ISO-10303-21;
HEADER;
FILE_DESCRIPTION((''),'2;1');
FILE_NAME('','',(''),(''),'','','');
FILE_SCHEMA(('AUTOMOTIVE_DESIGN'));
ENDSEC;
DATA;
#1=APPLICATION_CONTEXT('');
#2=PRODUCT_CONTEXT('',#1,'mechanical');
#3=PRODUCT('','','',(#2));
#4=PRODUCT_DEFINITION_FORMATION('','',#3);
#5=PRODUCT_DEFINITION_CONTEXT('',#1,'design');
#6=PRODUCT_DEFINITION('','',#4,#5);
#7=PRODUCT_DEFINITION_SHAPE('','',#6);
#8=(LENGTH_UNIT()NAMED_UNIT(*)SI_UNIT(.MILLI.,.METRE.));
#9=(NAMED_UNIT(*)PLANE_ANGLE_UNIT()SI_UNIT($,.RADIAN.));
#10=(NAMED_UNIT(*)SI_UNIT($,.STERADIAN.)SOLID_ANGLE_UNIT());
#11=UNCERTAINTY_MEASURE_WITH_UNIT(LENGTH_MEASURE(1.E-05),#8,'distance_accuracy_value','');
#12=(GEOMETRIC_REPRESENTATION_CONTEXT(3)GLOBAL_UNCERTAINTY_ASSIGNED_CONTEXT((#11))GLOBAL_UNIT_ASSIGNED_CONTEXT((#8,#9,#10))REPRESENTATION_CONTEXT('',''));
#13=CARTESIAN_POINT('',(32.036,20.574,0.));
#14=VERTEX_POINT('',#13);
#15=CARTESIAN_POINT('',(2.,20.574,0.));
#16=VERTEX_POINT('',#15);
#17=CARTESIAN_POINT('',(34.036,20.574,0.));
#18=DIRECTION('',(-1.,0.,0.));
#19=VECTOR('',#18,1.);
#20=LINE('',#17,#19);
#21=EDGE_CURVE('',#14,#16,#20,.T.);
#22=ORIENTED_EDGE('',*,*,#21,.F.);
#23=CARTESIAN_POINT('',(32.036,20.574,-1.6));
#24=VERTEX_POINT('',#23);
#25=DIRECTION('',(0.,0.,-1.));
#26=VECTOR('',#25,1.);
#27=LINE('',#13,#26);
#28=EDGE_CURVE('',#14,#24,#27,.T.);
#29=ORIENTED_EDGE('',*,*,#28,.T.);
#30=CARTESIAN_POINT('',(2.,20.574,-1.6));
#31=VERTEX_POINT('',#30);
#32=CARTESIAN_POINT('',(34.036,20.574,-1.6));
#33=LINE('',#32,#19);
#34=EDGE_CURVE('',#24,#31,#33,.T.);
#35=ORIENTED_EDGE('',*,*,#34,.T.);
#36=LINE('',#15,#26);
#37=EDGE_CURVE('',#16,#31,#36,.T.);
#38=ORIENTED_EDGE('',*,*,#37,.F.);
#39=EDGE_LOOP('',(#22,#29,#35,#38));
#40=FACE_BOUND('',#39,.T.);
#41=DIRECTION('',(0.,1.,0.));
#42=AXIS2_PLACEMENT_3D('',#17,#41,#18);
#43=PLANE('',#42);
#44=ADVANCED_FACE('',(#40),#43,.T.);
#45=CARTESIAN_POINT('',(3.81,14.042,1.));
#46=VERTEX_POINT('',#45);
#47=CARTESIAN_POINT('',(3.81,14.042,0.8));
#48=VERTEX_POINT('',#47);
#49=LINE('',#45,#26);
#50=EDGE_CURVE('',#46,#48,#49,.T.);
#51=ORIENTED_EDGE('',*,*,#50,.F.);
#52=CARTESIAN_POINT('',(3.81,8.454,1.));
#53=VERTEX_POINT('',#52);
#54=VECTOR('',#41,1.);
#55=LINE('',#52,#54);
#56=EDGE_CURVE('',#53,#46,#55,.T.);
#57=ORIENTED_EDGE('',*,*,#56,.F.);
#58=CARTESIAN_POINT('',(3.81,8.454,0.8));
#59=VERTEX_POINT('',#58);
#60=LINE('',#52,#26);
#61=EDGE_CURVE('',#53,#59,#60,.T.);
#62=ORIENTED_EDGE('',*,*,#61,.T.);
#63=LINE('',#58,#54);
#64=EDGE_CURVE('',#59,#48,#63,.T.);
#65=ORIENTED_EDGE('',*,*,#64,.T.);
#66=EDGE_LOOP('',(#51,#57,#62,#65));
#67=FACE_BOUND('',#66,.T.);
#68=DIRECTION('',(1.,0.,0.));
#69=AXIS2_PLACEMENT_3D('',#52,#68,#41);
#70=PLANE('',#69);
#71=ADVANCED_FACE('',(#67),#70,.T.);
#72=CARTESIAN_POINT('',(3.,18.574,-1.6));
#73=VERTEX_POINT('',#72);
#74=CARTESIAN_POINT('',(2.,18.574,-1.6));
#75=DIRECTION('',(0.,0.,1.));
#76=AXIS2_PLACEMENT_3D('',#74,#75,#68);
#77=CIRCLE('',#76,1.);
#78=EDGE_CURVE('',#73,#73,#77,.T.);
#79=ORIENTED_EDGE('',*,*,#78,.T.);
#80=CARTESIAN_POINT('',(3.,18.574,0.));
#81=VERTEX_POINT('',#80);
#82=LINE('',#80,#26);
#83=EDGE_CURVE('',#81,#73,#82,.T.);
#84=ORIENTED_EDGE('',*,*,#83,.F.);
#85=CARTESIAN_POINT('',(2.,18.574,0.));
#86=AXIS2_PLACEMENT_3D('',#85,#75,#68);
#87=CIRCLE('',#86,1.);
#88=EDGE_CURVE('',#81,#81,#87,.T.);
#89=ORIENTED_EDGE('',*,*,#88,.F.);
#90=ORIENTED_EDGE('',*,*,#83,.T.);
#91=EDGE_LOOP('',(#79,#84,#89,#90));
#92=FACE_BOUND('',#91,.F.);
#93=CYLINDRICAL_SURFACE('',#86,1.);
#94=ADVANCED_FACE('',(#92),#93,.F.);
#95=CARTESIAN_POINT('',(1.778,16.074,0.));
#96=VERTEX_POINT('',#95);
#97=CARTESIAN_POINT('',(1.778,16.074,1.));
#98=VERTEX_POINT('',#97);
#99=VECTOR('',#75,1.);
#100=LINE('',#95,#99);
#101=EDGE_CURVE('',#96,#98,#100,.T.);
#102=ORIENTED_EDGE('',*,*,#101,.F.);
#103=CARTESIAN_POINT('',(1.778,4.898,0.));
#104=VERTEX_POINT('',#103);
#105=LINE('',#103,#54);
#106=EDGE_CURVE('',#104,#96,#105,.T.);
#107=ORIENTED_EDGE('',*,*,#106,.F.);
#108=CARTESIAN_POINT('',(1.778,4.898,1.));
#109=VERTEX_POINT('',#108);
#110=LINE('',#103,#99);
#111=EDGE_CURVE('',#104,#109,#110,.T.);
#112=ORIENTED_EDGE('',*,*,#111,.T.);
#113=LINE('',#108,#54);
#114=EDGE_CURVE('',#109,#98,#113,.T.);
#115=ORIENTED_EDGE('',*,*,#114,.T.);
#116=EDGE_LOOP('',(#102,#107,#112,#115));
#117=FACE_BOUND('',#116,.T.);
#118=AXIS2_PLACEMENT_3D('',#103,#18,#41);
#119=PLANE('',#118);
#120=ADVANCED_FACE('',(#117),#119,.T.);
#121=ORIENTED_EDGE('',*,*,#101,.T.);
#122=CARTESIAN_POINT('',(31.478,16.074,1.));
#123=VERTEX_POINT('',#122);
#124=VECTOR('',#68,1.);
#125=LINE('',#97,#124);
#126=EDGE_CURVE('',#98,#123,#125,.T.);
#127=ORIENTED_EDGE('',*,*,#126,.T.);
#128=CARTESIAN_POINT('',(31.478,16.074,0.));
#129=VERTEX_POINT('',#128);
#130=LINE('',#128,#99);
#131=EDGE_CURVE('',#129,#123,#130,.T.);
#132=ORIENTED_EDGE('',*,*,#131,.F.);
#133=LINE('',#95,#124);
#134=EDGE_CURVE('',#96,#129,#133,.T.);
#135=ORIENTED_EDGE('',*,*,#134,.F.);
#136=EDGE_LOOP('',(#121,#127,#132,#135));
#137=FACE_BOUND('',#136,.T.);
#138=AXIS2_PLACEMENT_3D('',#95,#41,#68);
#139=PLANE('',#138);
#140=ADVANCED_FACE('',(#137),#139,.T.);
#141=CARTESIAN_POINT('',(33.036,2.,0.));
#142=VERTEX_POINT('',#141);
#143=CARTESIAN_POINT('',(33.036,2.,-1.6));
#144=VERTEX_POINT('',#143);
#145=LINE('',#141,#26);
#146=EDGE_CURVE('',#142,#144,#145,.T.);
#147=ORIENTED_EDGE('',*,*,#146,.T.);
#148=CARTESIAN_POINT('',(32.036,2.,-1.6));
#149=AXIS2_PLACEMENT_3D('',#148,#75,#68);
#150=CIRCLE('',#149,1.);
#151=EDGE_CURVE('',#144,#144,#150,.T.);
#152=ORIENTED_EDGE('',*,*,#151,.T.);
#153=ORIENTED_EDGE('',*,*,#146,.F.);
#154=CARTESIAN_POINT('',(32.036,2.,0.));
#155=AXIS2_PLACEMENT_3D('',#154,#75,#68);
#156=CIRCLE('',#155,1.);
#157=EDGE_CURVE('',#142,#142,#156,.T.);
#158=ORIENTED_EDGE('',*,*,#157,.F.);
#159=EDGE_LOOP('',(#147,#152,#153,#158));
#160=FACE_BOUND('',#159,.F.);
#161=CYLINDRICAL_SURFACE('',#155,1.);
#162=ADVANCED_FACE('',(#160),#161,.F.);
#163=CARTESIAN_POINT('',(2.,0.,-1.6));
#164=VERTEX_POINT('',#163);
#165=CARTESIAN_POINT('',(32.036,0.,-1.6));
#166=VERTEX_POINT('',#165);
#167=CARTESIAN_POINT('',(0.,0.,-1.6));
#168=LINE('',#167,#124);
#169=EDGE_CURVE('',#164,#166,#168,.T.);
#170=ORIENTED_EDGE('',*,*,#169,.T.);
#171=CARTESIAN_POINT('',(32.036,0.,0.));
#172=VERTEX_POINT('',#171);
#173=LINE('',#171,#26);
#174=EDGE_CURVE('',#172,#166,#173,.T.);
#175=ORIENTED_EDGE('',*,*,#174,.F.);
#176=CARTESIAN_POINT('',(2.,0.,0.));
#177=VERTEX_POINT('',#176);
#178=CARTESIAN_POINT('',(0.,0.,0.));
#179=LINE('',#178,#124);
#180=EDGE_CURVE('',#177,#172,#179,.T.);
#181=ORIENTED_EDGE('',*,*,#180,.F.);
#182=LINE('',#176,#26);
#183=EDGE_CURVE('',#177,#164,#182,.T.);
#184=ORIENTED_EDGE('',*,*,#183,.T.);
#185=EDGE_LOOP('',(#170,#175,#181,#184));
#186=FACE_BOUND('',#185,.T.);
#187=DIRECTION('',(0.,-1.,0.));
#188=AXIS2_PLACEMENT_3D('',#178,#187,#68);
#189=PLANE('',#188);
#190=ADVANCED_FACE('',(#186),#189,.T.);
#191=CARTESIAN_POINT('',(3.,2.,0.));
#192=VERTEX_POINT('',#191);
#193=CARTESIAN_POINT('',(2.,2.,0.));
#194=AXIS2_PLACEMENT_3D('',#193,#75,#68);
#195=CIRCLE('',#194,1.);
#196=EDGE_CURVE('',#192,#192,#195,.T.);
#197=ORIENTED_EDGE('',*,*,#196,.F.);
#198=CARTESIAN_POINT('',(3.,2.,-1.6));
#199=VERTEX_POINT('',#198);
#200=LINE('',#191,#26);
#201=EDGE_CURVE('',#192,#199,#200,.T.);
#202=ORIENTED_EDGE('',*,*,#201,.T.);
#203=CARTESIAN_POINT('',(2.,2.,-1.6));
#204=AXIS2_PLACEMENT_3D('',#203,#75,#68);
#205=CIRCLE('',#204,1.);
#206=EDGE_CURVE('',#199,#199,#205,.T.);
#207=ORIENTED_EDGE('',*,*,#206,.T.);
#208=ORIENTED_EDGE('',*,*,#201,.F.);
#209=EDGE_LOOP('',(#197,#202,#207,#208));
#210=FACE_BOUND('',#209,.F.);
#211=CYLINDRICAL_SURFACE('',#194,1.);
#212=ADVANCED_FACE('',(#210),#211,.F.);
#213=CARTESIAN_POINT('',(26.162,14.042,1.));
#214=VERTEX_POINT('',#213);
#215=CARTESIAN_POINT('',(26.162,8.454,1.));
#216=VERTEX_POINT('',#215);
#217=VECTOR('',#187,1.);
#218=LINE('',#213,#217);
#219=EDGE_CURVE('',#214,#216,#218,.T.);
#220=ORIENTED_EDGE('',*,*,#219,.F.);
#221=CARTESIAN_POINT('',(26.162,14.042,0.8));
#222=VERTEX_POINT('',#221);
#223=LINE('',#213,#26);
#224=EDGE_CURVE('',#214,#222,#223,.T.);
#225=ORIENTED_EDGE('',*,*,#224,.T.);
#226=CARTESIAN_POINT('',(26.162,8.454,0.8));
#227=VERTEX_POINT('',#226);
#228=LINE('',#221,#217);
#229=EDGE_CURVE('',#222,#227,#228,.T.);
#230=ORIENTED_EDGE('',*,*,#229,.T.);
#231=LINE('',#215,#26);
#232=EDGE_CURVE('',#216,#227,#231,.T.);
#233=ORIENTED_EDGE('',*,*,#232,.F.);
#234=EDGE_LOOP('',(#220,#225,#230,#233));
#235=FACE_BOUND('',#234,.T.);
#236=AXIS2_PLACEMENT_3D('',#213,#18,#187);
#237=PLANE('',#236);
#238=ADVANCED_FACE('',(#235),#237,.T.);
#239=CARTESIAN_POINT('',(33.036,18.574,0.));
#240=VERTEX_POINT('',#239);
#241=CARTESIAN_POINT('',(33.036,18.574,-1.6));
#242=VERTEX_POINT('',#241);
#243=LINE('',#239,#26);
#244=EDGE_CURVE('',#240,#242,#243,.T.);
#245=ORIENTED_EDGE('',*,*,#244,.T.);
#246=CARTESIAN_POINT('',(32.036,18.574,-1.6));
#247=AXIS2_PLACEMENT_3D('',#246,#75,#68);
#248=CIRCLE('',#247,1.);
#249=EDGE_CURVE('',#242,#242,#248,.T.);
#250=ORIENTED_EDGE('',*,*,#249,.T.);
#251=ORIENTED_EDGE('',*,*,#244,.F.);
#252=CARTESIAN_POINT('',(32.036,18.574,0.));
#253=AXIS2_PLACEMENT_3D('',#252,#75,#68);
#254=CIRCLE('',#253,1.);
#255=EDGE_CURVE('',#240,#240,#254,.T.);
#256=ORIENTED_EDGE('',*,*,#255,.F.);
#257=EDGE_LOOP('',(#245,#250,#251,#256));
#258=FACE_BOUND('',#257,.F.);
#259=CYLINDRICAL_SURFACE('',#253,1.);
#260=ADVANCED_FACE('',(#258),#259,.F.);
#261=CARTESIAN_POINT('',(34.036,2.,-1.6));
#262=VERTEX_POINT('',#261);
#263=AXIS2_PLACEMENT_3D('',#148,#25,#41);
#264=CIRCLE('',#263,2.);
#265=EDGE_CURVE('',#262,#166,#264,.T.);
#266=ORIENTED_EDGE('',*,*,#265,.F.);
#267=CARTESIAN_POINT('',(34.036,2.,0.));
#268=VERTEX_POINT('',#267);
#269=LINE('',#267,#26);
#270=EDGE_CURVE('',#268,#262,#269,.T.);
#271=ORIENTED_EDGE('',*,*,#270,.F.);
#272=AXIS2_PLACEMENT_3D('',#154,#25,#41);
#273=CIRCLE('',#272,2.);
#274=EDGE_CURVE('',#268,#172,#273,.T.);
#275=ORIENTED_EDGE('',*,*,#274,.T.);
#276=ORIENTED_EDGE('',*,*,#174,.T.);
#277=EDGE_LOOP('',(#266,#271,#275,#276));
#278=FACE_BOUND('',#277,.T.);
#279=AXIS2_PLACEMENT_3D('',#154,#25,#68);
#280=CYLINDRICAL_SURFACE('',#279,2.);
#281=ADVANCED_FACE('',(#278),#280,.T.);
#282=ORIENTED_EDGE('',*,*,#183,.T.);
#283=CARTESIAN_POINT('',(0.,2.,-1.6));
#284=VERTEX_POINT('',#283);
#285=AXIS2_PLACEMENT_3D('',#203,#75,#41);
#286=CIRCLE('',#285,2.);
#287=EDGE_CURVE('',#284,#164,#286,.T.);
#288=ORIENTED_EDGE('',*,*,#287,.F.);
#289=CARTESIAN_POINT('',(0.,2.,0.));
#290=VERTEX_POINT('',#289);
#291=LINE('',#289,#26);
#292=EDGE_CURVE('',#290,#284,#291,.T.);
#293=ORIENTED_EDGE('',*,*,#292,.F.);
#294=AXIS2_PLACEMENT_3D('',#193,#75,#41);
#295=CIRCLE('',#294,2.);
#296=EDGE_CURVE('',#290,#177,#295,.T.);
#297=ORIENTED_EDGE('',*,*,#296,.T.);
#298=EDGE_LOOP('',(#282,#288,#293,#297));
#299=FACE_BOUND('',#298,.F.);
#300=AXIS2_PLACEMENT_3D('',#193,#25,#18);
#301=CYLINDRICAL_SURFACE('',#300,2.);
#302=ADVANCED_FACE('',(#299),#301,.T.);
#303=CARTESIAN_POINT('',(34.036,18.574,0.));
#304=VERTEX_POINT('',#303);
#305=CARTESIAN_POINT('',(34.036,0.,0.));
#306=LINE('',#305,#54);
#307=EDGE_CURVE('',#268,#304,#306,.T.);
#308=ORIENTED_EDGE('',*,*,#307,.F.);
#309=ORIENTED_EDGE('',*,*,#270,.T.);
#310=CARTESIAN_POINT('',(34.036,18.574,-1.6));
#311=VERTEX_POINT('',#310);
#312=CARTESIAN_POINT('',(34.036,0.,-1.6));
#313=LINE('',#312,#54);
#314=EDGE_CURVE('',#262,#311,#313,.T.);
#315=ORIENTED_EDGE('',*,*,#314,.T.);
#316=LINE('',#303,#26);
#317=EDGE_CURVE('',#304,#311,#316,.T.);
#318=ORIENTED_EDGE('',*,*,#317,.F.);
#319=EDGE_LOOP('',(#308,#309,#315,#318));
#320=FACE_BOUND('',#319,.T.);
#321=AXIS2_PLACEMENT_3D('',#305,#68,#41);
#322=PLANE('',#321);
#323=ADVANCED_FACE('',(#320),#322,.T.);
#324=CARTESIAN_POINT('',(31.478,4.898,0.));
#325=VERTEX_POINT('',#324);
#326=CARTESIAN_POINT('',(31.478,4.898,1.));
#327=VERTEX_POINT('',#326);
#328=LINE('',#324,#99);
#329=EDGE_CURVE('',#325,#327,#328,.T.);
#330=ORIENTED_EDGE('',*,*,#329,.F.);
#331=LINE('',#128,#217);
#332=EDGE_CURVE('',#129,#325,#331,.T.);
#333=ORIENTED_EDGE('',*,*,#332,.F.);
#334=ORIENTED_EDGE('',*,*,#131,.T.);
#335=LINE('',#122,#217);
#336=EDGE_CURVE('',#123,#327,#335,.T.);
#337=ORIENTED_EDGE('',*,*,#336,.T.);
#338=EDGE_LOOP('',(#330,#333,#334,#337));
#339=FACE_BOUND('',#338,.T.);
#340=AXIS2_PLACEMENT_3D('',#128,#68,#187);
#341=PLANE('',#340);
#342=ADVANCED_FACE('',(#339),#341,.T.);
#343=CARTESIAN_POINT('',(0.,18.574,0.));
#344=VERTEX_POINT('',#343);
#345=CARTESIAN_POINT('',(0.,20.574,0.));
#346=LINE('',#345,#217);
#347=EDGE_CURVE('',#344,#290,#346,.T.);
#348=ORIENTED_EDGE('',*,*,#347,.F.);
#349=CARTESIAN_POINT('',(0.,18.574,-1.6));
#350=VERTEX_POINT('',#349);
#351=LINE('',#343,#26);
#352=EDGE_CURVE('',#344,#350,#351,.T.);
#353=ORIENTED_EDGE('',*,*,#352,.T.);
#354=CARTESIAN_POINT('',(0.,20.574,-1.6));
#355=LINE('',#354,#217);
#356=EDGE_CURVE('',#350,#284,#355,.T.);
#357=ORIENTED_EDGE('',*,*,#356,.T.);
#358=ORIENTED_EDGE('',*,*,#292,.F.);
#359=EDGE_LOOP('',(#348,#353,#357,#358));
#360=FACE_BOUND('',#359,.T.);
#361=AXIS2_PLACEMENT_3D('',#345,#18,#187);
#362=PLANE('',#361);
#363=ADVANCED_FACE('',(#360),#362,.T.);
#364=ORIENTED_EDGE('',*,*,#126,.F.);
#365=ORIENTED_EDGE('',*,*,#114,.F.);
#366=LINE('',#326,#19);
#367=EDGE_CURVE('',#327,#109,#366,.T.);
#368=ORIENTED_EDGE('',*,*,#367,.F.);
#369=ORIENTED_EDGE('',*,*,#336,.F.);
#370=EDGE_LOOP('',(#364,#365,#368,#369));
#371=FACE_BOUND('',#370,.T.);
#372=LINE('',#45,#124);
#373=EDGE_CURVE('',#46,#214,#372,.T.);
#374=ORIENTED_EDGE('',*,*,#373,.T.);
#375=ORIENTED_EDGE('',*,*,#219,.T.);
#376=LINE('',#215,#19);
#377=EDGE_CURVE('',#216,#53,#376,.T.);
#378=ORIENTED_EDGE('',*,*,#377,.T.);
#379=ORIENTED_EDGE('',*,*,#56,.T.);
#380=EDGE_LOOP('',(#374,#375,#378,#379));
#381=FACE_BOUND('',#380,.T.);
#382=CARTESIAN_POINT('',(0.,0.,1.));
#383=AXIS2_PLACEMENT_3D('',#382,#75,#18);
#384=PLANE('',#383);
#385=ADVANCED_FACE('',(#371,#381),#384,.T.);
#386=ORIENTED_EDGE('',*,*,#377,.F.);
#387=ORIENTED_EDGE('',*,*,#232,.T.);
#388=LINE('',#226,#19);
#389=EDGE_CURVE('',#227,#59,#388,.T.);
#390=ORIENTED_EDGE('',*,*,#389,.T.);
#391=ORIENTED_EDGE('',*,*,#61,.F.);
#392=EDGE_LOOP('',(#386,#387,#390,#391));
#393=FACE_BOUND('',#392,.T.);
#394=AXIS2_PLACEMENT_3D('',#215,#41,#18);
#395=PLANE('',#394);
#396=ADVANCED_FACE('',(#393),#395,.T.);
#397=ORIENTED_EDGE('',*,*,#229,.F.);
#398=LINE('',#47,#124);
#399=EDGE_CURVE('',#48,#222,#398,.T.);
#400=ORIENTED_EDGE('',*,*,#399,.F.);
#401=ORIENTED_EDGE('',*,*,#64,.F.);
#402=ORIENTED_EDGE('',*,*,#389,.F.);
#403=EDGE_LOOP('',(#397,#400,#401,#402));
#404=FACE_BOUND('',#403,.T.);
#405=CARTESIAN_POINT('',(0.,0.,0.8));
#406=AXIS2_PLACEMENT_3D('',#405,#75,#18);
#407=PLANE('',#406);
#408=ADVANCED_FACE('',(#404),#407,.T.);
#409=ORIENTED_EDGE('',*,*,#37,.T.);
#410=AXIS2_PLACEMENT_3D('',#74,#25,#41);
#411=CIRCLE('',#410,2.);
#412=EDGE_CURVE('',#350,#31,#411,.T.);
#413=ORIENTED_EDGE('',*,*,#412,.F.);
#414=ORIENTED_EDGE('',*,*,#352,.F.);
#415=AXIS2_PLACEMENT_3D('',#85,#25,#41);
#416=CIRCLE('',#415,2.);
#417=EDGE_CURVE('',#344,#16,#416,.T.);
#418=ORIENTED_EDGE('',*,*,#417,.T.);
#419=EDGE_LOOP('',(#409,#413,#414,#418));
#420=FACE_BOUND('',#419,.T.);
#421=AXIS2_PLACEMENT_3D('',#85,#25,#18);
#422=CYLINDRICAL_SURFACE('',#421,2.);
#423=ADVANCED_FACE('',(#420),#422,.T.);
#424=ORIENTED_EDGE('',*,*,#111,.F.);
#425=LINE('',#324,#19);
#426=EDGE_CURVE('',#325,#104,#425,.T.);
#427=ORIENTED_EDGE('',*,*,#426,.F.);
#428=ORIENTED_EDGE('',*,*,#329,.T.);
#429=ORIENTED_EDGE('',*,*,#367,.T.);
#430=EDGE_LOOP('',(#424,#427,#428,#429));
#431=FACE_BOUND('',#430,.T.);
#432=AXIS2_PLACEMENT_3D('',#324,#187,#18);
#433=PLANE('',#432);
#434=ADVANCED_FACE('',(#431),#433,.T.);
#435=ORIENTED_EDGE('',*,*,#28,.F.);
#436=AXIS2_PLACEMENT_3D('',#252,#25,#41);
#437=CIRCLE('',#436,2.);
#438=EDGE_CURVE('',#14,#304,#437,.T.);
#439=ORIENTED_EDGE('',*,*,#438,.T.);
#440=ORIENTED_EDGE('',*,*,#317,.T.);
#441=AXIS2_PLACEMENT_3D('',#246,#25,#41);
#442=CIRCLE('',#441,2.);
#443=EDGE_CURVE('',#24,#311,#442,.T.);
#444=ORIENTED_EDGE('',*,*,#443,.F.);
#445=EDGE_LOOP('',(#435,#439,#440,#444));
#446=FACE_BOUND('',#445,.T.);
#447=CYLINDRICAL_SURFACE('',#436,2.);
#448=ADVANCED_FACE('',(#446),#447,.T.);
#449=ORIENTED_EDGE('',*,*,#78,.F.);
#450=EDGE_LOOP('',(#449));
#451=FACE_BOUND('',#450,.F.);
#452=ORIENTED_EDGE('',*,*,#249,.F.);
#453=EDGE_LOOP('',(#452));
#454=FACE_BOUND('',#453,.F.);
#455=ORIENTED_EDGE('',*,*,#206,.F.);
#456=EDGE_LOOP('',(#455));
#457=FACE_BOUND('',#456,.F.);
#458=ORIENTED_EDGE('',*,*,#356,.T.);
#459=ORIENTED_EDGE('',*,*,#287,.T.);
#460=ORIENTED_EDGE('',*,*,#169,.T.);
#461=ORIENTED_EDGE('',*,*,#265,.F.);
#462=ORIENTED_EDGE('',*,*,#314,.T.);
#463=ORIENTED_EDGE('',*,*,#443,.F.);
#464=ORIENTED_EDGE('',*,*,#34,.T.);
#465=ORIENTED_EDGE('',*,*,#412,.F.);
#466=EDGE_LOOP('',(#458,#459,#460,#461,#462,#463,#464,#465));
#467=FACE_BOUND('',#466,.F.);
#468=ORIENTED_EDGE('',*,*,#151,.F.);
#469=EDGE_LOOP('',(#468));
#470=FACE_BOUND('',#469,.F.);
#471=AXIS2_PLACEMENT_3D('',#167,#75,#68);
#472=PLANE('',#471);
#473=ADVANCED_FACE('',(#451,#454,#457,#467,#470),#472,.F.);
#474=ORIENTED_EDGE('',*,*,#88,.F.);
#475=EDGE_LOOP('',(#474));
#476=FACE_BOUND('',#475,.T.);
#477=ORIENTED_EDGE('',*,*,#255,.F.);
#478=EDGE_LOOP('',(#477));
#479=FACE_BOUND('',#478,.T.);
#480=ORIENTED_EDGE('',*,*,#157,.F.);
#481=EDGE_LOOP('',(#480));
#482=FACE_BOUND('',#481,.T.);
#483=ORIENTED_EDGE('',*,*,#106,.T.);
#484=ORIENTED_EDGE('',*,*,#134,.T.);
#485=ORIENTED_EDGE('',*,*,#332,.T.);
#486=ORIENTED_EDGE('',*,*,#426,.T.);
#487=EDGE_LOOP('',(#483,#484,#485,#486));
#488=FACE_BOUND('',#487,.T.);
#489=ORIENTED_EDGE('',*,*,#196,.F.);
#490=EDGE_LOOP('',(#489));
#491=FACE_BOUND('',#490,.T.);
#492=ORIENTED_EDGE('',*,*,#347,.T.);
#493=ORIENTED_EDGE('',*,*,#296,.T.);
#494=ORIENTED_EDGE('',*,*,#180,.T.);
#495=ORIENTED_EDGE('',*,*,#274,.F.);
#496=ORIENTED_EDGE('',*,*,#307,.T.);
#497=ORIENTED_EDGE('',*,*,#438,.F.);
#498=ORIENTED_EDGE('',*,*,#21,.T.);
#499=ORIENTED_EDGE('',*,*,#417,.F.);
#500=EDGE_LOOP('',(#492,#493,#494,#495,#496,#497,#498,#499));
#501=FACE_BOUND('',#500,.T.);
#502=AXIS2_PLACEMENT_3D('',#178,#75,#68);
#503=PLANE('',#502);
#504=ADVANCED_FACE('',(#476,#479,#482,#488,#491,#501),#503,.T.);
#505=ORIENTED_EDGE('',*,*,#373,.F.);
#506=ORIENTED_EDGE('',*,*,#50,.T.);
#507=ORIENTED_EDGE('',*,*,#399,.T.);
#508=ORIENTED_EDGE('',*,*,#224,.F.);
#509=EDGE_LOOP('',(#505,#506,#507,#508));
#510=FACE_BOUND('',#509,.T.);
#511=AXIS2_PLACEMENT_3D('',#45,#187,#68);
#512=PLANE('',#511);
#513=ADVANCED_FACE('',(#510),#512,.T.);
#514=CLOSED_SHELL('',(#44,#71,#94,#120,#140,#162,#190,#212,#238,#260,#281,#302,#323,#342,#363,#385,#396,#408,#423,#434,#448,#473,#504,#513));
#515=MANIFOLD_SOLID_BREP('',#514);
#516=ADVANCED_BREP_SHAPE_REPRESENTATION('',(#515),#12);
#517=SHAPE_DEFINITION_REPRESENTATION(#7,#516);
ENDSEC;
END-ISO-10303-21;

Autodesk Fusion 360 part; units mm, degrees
sketch "Sketch1" plane through (0, 0, 0) normal (0, 0, 1) x (1, 0, 0)
  line L0 (0, 0) -> (34.036, 0)
  line L1 (34.036, 0) -> (34.036, 20.574)
  line L2 (34.036, 20.574) -> (0, 20.574)
  line L3 (0, 20.574) -> (0, 0)
  circle A0 centre (2, 18.574) radius 1
  line L4 (17.018, 20.574) -> (17.018, 0) construction
  line L5 (34.036, 10.287) -> (0, 10.287) construction
  circle A1 centre (32.036, 18.574) radius 1
  circle A2 centre (32.036, 2) radius 1
  circle A3 centre (2, 2) radius 1
  dimension "d1" = 34.036
  dimension "d2" = 20.574
  dimension "d3" = 2
  dimension "d5" = 2
  dimension "d23" = 2
extrude "Extrude1" add sketch "Sketch1" against normal blind 1.6
fillet "Fillet1" radius 2 4 edges at (0, 0, -0.8) (0, 20.574, -0.8) (34.036, 20.574, -0.8) (34.036, 0, -0.8)
sketch "Sketch2" plane through (0, 0, 0) normal (0, 0, 1) x (-1, 0, 0)
  arc A0 (-32.036, 0) -> (-34.036, -2) centre (-32.036, -2) ccw
  line L0 (-34.036, -2) -> (-34.036, -18.574)
  arc A1 (-34.036, -18.574) -> (-32.036, -20.574) centre (-32.036, -18.574) ccw
  line L1 (-32.036, -20.574) -> (-2, -20.574)
  arc A2 (-2, -20.574) -> (0, -18.574) centre (-2, -18.574) ccw
  line L2 (0, -18.574) -> (0, -2)
  arc A3 (0, -2) -> (-2, 0) centre (-2, -2) ccw
  line L3 (-2, 0) -> (-32.036, 0)
  circle A4 centre (-2, -2) radius 1
  circle A5 centre (-32.036, -18.574) radius 1
  circle A6 centre (-2, -18.574) radius 1
  circle A7 centre (-32.036, -2) radius 1
  line L4 (-1.778, -16.074) -> (-31.478, -16.074)
  line L5 (-31.478, -16.074) -> (-31.478, -4.898)
  line L6 (-31.478, -4.898) -> (-1.778, -4.898)
  line L7 (-1.778, -4.898) -> (-1.778, -16.074)
  dimension "d24" = 29.7
  dimension "d25" = 11.176
  dimension "d26" = 4.5
  dimension "d27" = 1.778
extrude "Extrude2" add sketch "Sketch2" along normal blind 1 contours L4 L5 L6 L7
sketch "Sketch3" plane through (0, 0, 1) normal (0, 0, 1) x (-1, 0, 0)
  line L0 (-1.778, -4.898) -> (-31.478, -4.898)
  line L1 (-31.478, -4.898) -> (-31.478, -16.074)
  line L2 (-31.478, -16.074) -> (-1.778, -16.074)
  line L3 (-1.778, -16.074) -> (-1.778, -4.898)
  line L4 (-3.81, -14.042) -> (-26.162, -14.042)
  line L5 (-26.162, -14.042) -> (-26.162, -8.454)
  line L6 (-26.162, -8.454) -> (-3.81, -8.454)
  line L7 (-3.81, -8.454) -> (-3.81, -14.042)
  dimension "d30" = 2.032
  dimension "d31" = 22.352
  dimension "d32" = 5.588
  dimension "d33" = 2.032
extrude "Extrude3" cut sketch "Sketch3" against normal blind 0.2 contours L4 L5 L6 L7
